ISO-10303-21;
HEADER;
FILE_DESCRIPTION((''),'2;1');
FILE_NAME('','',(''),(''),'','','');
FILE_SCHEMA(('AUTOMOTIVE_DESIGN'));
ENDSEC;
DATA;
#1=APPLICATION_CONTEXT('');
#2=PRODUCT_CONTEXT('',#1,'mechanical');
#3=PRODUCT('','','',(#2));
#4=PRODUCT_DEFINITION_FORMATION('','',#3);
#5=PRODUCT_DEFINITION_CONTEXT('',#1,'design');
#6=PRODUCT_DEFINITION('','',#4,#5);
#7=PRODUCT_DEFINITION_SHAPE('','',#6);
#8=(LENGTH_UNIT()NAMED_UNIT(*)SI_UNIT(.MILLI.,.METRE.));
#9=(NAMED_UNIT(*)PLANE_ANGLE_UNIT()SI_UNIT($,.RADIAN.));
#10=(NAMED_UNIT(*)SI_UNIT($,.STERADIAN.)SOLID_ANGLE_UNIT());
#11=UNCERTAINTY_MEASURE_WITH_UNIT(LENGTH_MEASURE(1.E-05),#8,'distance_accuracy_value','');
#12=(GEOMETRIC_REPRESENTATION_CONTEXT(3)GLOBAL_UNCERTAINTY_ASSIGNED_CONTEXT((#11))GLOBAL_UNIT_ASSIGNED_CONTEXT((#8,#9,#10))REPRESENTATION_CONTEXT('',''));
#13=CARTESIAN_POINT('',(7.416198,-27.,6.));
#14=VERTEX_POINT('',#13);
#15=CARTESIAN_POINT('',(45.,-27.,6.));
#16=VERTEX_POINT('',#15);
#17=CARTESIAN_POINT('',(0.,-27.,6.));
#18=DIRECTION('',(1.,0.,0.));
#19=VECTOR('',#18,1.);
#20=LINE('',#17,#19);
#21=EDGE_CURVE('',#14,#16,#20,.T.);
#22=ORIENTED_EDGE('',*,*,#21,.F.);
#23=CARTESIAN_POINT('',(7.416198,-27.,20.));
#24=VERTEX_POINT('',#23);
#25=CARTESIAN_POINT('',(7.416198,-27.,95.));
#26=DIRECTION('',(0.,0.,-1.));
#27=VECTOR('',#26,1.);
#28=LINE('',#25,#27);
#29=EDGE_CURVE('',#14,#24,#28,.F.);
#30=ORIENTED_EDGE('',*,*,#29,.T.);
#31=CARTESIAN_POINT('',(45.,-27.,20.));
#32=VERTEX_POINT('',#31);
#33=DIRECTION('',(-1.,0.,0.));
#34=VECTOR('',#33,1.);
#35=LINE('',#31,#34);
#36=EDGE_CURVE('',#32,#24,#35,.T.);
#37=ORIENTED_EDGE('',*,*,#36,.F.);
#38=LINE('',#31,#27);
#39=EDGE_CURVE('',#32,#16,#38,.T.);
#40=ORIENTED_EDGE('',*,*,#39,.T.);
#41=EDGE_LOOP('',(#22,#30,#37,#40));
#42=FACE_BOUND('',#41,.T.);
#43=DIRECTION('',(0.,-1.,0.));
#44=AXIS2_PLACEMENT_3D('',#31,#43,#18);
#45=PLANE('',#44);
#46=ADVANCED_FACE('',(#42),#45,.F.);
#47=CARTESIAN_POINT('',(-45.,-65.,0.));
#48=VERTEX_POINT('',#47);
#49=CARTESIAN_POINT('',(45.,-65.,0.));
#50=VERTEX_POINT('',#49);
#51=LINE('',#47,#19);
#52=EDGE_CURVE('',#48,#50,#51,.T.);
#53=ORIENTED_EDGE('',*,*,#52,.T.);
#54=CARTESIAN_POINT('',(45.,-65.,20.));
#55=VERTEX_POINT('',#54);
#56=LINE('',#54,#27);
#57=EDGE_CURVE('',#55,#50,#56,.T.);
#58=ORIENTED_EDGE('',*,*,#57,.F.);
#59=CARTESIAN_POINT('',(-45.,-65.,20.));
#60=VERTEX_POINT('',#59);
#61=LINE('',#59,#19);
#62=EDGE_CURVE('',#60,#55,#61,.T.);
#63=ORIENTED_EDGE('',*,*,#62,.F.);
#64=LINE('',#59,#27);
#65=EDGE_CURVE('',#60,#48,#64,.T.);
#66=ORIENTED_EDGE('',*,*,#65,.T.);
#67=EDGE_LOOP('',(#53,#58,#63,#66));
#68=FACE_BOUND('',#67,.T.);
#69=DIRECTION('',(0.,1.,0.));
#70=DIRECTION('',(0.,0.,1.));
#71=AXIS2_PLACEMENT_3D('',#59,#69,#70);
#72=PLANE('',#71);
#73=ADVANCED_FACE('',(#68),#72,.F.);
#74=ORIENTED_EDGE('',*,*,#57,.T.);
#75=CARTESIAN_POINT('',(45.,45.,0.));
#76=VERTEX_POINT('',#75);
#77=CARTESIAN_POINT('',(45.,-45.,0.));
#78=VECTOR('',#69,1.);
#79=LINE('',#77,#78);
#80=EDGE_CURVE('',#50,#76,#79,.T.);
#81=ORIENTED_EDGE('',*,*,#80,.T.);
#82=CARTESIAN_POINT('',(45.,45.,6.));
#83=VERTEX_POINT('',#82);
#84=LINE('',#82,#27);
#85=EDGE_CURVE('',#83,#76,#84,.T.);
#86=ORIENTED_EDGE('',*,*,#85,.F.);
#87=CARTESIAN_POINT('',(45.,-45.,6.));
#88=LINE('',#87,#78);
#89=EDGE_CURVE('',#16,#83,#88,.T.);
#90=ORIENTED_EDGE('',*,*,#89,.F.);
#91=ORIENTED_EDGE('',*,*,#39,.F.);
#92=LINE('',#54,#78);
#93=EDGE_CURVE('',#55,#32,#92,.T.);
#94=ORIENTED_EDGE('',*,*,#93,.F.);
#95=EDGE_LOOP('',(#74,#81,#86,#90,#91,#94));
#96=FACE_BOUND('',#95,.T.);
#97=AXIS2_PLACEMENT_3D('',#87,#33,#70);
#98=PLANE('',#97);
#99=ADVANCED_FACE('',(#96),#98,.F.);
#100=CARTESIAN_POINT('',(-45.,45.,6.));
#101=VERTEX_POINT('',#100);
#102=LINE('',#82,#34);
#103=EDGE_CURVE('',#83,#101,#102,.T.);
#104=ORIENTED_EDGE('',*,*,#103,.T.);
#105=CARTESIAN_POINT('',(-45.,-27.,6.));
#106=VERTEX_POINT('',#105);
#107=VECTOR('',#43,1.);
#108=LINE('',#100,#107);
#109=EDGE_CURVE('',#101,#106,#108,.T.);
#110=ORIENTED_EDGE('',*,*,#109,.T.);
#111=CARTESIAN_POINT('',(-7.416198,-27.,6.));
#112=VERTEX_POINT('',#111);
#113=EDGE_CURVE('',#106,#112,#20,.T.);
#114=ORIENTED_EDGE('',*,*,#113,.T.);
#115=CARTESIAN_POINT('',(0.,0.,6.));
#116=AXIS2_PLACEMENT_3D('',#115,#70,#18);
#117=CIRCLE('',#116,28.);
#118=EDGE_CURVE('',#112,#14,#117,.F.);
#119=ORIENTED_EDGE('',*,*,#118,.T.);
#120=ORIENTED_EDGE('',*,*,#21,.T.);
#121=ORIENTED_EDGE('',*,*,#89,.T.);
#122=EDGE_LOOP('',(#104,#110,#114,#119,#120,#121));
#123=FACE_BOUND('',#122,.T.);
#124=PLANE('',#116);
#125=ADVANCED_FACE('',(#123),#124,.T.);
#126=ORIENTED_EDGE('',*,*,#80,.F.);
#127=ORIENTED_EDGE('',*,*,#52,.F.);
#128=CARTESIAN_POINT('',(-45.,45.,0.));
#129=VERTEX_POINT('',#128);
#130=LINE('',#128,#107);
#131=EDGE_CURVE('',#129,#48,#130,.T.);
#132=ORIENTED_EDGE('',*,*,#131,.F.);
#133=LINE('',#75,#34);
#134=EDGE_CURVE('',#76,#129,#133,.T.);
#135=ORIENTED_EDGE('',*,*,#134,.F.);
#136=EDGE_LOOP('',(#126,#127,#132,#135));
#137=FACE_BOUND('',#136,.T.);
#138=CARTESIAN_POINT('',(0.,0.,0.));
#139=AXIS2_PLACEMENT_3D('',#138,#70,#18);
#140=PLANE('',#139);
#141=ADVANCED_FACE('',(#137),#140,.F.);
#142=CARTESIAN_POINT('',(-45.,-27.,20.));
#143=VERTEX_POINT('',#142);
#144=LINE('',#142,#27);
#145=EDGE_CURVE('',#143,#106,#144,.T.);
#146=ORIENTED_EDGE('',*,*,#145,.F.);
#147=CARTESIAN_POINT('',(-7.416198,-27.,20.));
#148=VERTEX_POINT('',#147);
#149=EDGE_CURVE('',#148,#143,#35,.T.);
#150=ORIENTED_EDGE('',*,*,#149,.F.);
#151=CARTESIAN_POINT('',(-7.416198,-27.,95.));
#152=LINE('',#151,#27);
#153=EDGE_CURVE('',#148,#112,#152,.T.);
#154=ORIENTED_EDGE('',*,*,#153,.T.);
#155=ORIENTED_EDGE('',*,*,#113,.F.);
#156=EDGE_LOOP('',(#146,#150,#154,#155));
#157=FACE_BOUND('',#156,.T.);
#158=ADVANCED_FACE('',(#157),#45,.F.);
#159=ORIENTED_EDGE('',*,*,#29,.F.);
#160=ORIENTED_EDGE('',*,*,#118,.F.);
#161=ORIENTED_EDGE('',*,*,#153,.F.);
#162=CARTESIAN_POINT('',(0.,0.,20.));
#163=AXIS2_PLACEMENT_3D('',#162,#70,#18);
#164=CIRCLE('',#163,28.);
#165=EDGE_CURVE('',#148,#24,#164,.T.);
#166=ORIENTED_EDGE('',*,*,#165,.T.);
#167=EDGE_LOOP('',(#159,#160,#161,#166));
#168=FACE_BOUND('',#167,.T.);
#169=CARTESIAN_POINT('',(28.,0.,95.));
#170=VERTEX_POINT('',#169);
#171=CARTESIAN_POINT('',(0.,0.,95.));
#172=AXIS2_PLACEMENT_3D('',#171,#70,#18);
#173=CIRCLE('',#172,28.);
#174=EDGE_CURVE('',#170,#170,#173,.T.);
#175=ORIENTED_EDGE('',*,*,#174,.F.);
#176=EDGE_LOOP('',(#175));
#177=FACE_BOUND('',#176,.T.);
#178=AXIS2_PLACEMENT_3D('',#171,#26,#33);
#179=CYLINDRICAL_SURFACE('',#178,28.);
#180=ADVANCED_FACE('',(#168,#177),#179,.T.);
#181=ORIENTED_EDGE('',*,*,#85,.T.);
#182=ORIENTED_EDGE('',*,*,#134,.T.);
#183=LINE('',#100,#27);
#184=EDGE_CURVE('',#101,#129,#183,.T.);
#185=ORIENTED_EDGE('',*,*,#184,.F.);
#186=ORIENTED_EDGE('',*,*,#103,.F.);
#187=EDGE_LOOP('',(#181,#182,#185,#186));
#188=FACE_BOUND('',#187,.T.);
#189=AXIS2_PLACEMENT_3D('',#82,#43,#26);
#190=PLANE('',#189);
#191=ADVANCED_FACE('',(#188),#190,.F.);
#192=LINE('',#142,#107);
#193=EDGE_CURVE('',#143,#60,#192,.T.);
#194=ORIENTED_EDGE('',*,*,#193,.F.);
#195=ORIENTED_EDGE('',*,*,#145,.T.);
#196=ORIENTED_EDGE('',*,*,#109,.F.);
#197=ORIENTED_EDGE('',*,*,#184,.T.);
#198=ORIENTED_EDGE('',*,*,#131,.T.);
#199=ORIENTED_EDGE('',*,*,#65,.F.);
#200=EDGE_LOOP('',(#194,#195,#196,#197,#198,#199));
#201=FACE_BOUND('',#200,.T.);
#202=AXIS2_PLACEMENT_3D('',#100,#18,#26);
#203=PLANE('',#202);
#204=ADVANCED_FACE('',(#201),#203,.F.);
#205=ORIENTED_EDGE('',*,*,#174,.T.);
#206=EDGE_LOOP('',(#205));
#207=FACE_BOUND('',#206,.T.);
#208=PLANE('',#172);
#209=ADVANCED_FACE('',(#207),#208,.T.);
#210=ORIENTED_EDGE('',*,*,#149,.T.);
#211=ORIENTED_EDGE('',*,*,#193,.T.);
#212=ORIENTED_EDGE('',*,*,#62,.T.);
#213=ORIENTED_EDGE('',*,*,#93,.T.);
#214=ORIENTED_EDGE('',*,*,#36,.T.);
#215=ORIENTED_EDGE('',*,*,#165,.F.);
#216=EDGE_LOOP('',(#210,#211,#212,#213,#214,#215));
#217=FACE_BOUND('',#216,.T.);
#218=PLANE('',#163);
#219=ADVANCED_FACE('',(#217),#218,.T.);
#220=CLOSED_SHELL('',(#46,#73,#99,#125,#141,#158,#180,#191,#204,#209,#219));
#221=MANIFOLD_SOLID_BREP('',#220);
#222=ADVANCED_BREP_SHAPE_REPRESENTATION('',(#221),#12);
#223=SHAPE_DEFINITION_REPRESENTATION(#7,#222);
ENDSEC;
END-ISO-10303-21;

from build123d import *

# Parameters (mm, degrees)
SKETCH_1_W      = 90
SKETCH_1_H      = 90
EXTRUDE_1_DEPTH = 6
SKETCH_2_R      = 28
EXTRUDE_2_DEPTH = 95
SKETCH_3_W      = 90
SKETCH_3_H      = 38
EXTRUDE_3_DEPTH = 20


with BuildPart() as part:
    # 草图1 → 凸台-拉伸1 (new body)
    with BuildSketch(Plane.XY):
        Rectangle(SKETCH_1_W, SKETCH_1_H)
    extrude(amount=EXTRUDE_1_DEPTH)

    # 草图2 → 凸台-拉伸2 (add)
    with BuildSketch(Plane.XY):
        Circle(SKETCH_2_R)
    extrude(amount=EXTRUDE_2_DEPTH)

    # 草图3 → 凸台-拉伸3 (add)
    with BuildSketch(Plane.XY):
        with Locations((0, -46)):
            Rectangle(SKETCH_3_W, SKETCH_3_H)
    extrude(amount=EXTRUDE_3_DEPTH)


solid = part.part
